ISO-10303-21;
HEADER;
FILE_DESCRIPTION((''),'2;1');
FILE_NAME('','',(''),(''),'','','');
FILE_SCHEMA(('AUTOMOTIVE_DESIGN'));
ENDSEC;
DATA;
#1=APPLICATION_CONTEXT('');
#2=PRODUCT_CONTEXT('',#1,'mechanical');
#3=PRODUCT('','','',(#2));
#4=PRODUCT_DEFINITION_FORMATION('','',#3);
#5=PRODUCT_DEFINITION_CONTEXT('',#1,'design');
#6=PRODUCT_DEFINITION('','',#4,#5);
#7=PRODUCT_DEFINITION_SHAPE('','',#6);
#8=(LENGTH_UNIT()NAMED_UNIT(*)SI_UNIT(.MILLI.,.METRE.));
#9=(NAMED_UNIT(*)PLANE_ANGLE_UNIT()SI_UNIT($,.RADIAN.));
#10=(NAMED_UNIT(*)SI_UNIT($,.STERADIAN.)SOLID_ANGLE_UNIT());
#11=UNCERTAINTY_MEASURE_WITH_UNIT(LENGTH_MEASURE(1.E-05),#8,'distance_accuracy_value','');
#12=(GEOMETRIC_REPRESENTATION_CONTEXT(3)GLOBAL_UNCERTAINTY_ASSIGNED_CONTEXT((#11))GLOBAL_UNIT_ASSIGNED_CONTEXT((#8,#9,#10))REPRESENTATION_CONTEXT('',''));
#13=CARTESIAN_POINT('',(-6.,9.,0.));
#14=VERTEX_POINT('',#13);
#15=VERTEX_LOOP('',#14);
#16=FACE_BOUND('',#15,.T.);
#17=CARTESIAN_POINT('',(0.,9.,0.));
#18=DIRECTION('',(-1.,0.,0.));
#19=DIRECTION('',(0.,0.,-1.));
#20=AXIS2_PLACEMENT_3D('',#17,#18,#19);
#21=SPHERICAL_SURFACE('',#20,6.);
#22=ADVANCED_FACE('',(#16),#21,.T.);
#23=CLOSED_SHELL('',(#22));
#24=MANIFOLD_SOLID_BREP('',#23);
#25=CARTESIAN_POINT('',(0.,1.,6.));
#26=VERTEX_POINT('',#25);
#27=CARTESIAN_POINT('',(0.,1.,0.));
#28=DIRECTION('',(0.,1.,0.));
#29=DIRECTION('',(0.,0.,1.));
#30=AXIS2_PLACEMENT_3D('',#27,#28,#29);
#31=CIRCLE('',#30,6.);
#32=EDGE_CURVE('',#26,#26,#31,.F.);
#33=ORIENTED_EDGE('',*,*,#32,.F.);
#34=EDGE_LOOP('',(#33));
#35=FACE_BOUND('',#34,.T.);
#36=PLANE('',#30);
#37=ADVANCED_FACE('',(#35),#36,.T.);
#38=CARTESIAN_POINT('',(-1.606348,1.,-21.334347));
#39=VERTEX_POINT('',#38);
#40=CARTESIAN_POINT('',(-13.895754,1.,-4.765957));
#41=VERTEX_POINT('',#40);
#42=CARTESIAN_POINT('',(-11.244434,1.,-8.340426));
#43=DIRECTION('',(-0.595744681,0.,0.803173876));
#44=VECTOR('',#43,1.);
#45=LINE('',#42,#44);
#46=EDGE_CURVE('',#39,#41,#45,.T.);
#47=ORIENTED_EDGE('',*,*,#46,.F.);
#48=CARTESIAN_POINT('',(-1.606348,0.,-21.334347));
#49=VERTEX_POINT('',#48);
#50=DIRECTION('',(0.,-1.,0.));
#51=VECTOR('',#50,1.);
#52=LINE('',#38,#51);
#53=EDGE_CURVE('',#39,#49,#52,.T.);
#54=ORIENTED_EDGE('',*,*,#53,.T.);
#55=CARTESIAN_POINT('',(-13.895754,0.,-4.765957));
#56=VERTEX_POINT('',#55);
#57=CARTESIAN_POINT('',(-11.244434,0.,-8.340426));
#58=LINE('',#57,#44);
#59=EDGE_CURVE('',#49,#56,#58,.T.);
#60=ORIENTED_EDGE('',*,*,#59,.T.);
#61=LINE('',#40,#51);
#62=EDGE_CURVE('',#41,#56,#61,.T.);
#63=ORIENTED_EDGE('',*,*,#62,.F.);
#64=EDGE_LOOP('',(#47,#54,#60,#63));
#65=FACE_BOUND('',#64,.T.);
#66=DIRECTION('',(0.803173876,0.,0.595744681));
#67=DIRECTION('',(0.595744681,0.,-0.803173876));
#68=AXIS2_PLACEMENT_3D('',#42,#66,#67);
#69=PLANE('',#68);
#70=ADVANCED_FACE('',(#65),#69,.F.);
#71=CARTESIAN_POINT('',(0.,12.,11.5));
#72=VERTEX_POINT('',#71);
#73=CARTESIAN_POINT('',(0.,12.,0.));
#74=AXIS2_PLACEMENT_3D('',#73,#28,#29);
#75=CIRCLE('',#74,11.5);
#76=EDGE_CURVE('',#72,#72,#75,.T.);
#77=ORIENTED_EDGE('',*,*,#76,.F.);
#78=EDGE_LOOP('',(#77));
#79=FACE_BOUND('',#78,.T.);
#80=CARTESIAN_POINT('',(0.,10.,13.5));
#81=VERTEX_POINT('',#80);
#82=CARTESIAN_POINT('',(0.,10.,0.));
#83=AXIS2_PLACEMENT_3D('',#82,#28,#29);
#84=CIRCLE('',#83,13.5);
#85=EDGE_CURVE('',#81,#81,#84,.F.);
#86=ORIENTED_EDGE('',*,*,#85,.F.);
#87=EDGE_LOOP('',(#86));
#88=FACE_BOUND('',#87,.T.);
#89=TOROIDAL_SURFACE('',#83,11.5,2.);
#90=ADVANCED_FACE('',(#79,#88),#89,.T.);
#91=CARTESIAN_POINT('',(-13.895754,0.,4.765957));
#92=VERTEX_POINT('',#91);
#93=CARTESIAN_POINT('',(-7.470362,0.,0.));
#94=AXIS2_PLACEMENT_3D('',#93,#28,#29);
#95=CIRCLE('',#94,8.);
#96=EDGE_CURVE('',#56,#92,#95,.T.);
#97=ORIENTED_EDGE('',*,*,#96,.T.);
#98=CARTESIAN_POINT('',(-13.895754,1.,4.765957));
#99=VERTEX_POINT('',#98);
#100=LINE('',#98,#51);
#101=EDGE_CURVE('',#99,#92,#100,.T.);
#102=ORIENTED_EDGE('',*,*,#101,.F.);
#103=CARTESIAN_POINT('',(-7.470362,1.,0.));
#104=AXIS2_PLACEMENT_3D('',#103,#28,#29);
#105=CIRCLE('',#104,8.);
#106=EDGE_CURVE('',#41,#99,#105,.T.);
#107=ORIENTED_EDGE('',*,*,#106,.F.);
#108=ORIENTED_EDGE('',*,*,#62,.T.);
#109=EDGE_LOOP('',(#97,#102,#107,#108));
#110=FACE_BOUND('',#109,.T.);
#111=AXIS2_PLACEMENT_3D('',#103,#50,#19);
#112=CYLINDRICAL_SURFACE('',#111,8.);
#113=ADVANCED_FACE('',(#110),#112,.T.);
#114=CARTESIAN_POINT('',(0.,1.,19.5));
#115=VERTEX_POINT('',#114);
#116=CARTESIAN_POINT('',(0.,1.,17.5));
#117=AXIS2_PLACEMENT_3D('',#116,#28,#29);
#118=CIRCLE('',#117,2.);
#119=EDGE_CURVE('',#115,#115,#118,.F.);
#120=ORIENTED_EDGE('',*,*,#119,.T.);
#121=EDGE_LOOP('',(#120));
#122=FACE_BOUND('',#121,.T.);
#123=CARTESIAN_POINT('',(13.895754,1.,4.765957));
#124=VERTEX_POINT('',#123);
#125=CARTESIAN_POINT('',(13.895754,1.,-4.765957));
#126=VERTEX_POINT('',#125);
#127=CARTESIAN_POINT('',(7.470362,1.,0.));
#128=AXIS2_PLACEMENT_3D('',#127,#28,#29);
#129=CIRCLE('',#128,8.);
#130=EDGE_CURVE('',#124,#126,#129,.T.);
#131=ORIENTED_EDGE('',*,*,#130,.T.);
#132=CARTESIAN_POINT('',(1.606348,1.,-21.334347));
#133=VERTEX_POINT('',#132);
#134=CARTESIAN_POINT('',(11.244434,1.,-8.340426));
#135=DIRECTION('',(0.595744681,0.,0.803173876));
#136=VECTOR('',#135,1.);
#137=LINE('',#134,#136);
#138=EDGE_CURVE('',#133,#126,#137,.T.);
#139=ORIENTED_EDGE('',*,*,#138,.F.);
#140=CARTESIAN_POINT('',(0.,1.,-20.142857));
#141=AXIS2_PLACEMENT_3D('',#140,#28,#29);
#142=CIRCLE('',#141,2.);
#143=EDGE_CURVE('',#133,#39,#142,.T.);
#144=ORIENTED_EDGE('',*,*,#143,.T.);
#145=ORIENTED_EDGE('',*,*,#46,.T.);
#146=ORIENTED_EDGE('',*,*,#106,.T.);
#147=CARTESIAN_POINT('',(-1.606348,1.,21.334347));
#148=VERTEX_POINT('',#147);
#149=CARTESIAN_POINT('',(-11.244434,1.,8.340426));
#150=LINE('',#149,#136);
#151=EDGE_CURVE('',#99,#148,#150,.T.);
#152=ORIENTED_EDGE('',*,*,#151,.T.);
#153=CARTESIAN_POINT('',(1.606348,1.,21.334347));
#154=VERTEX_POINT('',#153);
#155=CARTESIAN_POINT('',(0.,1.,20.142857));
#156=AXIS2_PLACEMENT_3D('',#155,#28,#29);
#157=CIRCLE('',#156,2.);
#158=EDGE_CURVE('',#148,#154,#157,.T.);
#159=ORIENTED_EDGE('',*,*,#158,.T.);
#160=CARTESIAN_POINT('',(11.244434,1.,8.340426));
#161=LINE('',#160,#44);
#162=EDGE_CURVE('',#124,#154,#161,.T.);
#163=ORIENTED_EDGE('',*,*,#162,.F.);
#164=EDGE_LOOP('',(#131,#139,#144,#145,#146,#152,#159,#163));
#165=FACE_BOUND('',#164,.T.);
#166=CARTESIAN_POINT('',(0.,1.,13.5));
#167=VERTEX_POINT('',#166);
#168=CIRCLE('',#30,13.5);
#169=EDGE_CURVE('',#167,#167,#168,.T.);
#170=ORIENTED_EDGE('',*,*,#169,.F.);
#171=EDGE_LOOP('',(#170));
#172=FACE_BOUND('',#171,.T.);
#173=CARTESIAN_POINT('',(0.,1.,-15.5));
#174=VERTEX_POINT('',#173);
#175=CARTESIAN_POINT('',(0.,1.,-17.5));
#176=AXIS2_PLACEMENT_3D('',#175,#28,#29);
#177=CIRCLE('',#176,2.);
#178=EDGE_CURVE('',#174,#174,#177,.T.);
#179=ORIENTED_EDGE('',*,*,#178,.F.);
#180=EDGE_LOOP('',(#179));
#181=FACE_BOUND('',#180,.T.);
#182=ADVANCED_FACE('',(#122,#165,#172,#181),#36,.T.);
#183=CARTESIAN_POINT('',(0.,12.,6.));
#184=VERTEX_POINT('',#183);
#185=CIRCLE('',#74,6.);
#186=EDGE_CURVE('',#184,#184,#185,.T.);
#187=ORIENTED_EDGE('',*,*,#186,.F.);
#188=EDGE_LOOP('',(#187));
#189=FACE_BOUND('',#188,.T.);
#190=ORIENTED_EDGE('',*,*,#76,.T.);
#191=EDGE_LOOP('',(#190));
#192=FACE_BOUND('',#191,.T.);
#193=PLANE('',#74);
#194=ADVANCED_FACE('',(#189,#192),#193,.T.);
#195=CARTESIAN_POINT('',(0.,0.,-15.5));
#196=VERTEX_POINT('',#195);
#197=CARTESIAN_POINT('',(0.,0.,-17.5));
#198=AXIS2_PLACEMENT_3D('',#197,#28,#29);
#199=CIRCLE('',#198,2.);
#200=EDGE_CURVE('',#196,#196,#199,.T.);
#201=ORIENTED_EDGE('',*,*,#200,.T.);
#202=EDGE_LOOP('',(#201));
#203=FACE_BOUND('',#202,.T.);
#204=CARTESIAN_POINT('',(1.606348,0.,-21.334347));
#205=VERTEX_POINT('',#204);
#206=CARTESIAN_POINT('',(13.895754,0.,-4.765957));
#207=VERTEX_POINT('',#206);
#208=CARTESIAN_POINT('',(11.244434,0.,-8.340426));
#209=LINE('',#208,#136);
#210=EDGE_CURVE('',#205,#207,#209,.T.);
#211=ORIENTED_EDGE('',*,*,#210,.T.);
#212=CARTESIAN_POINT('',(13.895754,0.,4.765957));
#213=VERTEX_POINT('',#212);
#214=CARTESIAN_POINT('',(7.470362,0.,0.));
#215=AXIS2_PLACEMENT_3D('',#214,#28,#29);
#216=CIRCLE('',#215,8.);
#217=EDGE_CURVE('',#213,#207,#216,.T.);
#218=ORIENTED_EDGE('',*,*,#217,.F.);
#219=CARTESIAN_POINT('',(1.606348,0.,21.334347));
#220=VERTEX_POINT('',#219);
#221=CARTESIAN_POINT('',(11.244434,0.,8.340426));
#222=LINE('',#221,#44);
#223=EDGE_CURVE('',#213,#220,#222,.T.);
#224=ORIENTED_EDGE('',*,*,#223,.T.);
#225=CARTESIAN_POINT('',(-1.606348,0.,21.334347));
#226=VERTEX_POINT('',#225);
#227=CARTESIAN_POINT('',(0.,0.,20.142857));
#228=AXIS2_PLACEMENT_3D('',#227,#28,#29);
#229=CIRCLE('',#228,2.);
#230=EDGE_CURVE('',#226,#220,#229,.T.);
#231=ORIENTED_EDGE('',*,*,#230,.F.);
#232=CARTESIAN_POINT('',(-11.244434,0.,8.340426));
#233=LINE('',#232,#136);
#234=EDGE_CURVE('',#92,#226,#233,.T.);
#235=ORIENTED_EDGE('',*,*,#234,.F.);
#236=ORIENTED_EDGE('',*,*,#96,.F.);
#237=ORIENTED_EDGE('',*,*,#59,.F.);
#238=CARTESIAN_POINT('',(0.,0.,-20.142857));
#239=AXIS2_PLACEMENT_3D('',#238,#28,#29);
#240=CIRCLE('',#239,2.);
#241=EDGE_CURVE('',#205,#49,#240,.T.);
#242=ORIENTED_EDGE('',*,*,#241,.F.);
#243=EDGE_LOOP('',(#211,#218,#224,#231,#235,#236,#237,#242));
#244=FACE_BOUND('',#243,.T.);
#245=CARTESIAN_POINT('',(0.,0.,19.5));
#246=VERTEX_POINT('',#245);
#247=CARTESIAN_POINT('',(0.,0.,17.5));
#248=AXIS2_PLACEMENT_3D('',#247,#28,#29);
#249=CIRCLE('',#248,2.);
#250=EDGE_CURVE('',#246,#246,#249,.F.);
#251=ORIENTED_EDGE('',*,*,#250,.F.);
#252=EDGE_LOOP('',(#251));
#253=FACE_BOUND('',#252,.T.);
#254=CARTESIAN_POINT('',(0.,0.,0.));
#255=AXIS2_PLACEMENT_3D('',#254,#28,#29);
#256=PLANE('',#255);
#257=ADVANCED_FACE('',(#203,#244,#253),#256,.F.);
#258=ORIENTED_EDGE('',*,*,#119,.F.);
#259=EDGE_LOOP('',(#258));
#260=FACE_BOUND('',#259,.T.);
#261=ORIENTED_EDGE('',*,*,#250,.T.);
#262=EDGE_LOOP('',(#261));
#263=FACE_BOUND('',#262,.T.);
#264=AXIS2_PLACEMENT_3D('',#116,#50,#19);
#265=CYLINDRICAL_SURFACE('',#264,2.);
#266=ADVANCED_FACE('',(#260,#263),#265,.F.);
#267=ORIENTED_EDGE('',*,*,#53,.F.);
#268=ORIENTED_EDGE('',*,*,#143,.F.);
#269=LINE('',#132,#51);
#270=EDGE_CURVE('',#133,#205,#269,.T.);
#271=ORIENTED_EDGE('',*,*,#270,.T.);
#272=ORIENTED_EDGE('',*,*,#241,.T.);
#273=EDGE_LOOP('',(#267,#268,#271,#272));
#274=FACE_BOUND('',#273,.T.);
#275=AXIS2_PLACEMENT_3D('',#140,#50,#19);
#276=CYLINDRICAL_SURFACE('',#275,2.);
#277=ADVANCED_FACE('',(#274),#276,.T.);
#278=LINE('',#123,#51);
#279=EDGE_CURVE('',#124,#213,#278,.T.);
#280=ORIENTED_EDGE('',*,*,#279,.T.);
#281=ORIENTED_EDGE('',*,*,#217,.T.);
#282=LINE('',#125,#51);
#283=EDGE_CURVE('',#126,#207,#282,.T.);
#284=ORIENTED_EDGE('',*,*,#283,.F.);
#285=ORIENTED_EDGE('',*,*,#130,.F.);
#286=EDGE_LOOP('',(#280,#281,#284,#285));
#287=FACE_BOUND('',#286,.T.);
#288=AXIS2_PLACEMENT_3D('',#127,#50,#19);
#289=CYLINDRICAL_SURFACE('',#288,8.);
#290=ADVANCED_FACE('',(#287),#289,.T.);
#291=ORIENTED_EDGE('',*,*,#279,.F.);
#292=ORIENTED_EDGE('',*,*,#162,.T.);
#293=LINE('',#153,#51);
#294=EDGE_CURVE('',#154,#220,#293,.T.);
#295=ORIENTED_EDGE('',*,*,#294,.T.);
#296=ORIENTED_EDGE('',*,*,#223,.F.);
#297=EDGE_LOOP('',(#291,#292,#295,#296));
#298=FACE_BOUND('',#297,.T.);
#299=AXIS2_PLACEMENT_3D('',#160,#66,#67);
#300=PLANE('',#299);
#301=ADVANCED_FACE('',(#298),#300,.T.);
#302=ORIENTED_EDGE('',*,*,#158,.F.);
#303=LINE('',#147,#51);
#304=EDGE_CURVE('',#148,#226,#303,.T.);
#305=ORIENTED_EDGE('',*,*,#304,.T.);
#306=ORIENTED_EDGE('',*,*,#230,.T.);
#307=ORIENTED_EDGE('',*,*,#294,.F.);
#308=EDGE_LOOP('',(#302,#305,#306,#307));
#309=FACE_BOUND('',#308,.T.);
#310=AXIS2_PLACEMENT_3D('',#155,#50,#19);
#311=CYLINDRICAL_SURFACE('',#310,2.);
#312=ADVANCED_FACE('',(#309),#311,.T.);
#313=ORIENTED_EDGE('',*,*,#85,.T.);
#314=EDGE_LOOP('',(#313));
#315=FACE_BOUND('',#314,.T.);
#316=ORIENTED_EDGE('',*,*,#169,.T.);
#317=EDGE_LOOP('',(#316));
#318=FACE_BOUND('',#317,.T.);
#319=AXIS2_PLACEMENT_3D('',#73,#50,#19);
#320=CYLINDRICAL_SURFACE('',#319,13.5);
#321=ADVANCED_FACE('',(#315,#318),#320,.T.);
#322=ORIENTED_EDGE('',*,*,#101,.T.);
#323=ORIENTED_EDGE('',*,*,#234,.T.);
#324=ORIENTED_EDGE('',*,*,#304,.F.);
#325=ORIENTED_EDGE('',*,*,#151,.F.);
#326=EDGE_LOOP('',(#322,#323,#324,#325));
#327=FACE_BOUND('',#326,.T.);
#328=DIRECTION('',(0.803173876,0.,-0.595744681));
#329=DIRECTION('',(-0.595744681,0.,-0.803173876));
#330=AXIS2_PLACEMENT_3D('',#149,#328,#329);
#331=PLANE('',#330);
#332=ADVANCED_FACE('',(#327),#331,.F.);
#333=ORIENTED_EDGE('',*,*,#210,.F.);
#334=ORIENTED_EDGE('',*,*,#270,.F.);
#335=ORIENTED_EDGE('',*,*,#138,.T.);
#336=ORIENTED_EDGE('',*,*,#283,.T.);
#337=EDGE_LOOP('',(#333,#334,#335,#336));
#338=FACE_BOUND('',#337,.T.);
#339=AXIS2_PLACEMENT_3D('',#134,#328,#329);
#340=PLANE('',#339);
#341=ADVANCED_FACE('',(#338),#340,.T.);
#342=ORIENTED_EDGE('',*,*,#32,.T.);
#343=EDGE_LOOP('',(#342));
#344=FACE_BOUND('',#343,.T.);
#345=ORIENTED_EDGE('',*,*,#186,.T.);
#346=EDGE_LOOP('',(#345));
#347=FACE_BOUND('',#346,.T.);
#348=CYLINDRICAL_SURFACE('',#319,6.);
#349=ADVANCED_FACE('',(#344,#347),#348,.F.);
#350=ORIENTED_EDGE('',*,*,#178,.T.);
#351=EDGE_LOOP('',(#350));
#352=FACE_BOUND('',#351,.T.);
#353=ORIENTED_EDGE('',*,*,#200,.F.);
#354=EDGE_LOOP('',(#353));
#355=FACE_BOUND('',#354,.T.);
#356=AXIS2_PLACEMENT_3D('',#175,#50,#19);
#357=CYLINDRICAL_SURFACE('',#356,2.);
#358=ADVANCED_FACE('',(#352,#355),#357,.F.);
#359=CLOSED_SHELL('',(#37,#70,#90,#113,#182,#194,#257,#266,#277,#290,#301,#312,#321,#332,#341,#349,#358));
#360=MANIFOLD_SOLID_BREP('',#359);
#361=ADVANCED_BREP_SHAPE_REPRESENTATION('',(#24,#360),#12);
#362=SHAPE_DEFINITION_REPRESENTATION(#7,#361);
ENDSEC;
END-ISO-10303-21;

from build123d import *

# Parameters (mm, degrees)
SKETCH_1_R      = 2
SKETCH_1_R_2    = 14
EXTRUDE_1_DEPTH = 1
SKETCH_2_R      = 13.5
SKETCH_2_R_2    = 6
EXTRUDE_2_DEPTH = 11
FILLET_1_R      = 2


with BuildPart() as part:
    # 草图1 → 凸台-拉伸1 (new body)
    with BuildSketch(Plane(origin=(0, 0, 0), x_dir=(1, 0, 0), z_dir=(0, 1, 0))):
        with BuildLine():
            ThreePointArc((1.606347752, 21.334346505), (0, 22.142857143), (-1.606347752, 21.334346505))
            Line((-1.606347752, 21.334346505), (-11.244434288, 8.340425501))
            ThreePointArc((-11.244434288, 8.340425501), (5.1e-08, 14), (11.244434349, 8.340425419))
            Line((11.244434349, 8.340425419), (1.606347752, 21.334346505))
        make_face()
        with Locations((0, 17.5)):
            Circle(SKETCH_1_R, mode=Mode.SUBTRACT)
        Circle(SKETCH_1_R_2)
        with BuildLine():
            Line((13.895753503, 4.765957447), (11.244434349, 8.340425419))
            ThreePointArc((11.244434349, 8.340425419), (13.293270495, 4.391919803), (14, 0))
            ThreePointArc((14, 0), (13.293270397, -4.3919201), (11.244433977, -8.340425921))
            Line((11.244433977, -8.340425921), (13.895753503, -4.765957447))
            ThreePointArc((13.895753503, -4.765957447), (15.470362494, 0), (13.895753503, 4.765957447))
        make_face()
        with BuildLine():
            ThreePointArc((11.244433977, -8.340425921), (-1.78e-07, -14), (-11.244434189, -8.340425635))
            Line((-11.244434189, -8.340425635), (-1.606347752, -21.334346505))
            ThreePointArc((-1.606347752, -21.334346505), (0, -22.142857143), (1.606347752, -21.334346505))
            Line((1.606347752, -21.334346505), (11.244433977, -8.340425921))
        make_face()
        with Locations((0, -17.5)):
            Circle(SKETCH_1_R, mode=Mode.SUBTRACT)
        with BuildLine():
            ThreePointArc((-11.244434189, -8.340425635), (-14, -8.3e-08), (-11.244434288, 8.340425501))
            Line((-11.244434288, 8.340425501), (-13.895753503, 4.765957447))
            ThreePointArc((-13.895753503, 4.765957447), (-15.470362494, 0), (-13.895753503, -4.765957447))
            Line((-13.895753503, -4.765957447), (-11.244434189, -8.340425635))
        make_face()
    extrude(amount=EXTRUDE_1_DEPTH)

    # 草图2 → 凸台-拉伸2 (add)
    with BuildSketch(Plane(origin=(0, 1, 0), x_dir=(1, 0, 0), z_dir=(0, 1, 0))):
        Circle(SKETCH_2_R)
        Circle(SKETCH_2_R_2, mode=Mode.SUBTRACT)
    extrude(amount=EXTRUDE_2_DEPTH)

    # 圆角1
    fillet_1_edges = [part.edges().sort_by_distance(p)[0] for p in [
        (-13.5, 12, 0),
    ]]
    fillet(fillet_1_edges, radius=FILLET_1_R)


with BuildPart() as body_2:
    # 草图5 one side → 旋转3 (revolve)
    with BuildSketch(Plane(origin=(0, 9, 0), x_dir=(1, 0, 0), z_dir=(0, 1, 0))):
        with BuildLine():
            Line((6, 0), (-6, 0))
            ThreePointArc((-6, 0), (0, -6), (6, 0))
        make_face()
    revolve(axis=Axis((6, 9, 0), (-1, 0, 0)))


solid = Compound([part.part, body_2.part])
